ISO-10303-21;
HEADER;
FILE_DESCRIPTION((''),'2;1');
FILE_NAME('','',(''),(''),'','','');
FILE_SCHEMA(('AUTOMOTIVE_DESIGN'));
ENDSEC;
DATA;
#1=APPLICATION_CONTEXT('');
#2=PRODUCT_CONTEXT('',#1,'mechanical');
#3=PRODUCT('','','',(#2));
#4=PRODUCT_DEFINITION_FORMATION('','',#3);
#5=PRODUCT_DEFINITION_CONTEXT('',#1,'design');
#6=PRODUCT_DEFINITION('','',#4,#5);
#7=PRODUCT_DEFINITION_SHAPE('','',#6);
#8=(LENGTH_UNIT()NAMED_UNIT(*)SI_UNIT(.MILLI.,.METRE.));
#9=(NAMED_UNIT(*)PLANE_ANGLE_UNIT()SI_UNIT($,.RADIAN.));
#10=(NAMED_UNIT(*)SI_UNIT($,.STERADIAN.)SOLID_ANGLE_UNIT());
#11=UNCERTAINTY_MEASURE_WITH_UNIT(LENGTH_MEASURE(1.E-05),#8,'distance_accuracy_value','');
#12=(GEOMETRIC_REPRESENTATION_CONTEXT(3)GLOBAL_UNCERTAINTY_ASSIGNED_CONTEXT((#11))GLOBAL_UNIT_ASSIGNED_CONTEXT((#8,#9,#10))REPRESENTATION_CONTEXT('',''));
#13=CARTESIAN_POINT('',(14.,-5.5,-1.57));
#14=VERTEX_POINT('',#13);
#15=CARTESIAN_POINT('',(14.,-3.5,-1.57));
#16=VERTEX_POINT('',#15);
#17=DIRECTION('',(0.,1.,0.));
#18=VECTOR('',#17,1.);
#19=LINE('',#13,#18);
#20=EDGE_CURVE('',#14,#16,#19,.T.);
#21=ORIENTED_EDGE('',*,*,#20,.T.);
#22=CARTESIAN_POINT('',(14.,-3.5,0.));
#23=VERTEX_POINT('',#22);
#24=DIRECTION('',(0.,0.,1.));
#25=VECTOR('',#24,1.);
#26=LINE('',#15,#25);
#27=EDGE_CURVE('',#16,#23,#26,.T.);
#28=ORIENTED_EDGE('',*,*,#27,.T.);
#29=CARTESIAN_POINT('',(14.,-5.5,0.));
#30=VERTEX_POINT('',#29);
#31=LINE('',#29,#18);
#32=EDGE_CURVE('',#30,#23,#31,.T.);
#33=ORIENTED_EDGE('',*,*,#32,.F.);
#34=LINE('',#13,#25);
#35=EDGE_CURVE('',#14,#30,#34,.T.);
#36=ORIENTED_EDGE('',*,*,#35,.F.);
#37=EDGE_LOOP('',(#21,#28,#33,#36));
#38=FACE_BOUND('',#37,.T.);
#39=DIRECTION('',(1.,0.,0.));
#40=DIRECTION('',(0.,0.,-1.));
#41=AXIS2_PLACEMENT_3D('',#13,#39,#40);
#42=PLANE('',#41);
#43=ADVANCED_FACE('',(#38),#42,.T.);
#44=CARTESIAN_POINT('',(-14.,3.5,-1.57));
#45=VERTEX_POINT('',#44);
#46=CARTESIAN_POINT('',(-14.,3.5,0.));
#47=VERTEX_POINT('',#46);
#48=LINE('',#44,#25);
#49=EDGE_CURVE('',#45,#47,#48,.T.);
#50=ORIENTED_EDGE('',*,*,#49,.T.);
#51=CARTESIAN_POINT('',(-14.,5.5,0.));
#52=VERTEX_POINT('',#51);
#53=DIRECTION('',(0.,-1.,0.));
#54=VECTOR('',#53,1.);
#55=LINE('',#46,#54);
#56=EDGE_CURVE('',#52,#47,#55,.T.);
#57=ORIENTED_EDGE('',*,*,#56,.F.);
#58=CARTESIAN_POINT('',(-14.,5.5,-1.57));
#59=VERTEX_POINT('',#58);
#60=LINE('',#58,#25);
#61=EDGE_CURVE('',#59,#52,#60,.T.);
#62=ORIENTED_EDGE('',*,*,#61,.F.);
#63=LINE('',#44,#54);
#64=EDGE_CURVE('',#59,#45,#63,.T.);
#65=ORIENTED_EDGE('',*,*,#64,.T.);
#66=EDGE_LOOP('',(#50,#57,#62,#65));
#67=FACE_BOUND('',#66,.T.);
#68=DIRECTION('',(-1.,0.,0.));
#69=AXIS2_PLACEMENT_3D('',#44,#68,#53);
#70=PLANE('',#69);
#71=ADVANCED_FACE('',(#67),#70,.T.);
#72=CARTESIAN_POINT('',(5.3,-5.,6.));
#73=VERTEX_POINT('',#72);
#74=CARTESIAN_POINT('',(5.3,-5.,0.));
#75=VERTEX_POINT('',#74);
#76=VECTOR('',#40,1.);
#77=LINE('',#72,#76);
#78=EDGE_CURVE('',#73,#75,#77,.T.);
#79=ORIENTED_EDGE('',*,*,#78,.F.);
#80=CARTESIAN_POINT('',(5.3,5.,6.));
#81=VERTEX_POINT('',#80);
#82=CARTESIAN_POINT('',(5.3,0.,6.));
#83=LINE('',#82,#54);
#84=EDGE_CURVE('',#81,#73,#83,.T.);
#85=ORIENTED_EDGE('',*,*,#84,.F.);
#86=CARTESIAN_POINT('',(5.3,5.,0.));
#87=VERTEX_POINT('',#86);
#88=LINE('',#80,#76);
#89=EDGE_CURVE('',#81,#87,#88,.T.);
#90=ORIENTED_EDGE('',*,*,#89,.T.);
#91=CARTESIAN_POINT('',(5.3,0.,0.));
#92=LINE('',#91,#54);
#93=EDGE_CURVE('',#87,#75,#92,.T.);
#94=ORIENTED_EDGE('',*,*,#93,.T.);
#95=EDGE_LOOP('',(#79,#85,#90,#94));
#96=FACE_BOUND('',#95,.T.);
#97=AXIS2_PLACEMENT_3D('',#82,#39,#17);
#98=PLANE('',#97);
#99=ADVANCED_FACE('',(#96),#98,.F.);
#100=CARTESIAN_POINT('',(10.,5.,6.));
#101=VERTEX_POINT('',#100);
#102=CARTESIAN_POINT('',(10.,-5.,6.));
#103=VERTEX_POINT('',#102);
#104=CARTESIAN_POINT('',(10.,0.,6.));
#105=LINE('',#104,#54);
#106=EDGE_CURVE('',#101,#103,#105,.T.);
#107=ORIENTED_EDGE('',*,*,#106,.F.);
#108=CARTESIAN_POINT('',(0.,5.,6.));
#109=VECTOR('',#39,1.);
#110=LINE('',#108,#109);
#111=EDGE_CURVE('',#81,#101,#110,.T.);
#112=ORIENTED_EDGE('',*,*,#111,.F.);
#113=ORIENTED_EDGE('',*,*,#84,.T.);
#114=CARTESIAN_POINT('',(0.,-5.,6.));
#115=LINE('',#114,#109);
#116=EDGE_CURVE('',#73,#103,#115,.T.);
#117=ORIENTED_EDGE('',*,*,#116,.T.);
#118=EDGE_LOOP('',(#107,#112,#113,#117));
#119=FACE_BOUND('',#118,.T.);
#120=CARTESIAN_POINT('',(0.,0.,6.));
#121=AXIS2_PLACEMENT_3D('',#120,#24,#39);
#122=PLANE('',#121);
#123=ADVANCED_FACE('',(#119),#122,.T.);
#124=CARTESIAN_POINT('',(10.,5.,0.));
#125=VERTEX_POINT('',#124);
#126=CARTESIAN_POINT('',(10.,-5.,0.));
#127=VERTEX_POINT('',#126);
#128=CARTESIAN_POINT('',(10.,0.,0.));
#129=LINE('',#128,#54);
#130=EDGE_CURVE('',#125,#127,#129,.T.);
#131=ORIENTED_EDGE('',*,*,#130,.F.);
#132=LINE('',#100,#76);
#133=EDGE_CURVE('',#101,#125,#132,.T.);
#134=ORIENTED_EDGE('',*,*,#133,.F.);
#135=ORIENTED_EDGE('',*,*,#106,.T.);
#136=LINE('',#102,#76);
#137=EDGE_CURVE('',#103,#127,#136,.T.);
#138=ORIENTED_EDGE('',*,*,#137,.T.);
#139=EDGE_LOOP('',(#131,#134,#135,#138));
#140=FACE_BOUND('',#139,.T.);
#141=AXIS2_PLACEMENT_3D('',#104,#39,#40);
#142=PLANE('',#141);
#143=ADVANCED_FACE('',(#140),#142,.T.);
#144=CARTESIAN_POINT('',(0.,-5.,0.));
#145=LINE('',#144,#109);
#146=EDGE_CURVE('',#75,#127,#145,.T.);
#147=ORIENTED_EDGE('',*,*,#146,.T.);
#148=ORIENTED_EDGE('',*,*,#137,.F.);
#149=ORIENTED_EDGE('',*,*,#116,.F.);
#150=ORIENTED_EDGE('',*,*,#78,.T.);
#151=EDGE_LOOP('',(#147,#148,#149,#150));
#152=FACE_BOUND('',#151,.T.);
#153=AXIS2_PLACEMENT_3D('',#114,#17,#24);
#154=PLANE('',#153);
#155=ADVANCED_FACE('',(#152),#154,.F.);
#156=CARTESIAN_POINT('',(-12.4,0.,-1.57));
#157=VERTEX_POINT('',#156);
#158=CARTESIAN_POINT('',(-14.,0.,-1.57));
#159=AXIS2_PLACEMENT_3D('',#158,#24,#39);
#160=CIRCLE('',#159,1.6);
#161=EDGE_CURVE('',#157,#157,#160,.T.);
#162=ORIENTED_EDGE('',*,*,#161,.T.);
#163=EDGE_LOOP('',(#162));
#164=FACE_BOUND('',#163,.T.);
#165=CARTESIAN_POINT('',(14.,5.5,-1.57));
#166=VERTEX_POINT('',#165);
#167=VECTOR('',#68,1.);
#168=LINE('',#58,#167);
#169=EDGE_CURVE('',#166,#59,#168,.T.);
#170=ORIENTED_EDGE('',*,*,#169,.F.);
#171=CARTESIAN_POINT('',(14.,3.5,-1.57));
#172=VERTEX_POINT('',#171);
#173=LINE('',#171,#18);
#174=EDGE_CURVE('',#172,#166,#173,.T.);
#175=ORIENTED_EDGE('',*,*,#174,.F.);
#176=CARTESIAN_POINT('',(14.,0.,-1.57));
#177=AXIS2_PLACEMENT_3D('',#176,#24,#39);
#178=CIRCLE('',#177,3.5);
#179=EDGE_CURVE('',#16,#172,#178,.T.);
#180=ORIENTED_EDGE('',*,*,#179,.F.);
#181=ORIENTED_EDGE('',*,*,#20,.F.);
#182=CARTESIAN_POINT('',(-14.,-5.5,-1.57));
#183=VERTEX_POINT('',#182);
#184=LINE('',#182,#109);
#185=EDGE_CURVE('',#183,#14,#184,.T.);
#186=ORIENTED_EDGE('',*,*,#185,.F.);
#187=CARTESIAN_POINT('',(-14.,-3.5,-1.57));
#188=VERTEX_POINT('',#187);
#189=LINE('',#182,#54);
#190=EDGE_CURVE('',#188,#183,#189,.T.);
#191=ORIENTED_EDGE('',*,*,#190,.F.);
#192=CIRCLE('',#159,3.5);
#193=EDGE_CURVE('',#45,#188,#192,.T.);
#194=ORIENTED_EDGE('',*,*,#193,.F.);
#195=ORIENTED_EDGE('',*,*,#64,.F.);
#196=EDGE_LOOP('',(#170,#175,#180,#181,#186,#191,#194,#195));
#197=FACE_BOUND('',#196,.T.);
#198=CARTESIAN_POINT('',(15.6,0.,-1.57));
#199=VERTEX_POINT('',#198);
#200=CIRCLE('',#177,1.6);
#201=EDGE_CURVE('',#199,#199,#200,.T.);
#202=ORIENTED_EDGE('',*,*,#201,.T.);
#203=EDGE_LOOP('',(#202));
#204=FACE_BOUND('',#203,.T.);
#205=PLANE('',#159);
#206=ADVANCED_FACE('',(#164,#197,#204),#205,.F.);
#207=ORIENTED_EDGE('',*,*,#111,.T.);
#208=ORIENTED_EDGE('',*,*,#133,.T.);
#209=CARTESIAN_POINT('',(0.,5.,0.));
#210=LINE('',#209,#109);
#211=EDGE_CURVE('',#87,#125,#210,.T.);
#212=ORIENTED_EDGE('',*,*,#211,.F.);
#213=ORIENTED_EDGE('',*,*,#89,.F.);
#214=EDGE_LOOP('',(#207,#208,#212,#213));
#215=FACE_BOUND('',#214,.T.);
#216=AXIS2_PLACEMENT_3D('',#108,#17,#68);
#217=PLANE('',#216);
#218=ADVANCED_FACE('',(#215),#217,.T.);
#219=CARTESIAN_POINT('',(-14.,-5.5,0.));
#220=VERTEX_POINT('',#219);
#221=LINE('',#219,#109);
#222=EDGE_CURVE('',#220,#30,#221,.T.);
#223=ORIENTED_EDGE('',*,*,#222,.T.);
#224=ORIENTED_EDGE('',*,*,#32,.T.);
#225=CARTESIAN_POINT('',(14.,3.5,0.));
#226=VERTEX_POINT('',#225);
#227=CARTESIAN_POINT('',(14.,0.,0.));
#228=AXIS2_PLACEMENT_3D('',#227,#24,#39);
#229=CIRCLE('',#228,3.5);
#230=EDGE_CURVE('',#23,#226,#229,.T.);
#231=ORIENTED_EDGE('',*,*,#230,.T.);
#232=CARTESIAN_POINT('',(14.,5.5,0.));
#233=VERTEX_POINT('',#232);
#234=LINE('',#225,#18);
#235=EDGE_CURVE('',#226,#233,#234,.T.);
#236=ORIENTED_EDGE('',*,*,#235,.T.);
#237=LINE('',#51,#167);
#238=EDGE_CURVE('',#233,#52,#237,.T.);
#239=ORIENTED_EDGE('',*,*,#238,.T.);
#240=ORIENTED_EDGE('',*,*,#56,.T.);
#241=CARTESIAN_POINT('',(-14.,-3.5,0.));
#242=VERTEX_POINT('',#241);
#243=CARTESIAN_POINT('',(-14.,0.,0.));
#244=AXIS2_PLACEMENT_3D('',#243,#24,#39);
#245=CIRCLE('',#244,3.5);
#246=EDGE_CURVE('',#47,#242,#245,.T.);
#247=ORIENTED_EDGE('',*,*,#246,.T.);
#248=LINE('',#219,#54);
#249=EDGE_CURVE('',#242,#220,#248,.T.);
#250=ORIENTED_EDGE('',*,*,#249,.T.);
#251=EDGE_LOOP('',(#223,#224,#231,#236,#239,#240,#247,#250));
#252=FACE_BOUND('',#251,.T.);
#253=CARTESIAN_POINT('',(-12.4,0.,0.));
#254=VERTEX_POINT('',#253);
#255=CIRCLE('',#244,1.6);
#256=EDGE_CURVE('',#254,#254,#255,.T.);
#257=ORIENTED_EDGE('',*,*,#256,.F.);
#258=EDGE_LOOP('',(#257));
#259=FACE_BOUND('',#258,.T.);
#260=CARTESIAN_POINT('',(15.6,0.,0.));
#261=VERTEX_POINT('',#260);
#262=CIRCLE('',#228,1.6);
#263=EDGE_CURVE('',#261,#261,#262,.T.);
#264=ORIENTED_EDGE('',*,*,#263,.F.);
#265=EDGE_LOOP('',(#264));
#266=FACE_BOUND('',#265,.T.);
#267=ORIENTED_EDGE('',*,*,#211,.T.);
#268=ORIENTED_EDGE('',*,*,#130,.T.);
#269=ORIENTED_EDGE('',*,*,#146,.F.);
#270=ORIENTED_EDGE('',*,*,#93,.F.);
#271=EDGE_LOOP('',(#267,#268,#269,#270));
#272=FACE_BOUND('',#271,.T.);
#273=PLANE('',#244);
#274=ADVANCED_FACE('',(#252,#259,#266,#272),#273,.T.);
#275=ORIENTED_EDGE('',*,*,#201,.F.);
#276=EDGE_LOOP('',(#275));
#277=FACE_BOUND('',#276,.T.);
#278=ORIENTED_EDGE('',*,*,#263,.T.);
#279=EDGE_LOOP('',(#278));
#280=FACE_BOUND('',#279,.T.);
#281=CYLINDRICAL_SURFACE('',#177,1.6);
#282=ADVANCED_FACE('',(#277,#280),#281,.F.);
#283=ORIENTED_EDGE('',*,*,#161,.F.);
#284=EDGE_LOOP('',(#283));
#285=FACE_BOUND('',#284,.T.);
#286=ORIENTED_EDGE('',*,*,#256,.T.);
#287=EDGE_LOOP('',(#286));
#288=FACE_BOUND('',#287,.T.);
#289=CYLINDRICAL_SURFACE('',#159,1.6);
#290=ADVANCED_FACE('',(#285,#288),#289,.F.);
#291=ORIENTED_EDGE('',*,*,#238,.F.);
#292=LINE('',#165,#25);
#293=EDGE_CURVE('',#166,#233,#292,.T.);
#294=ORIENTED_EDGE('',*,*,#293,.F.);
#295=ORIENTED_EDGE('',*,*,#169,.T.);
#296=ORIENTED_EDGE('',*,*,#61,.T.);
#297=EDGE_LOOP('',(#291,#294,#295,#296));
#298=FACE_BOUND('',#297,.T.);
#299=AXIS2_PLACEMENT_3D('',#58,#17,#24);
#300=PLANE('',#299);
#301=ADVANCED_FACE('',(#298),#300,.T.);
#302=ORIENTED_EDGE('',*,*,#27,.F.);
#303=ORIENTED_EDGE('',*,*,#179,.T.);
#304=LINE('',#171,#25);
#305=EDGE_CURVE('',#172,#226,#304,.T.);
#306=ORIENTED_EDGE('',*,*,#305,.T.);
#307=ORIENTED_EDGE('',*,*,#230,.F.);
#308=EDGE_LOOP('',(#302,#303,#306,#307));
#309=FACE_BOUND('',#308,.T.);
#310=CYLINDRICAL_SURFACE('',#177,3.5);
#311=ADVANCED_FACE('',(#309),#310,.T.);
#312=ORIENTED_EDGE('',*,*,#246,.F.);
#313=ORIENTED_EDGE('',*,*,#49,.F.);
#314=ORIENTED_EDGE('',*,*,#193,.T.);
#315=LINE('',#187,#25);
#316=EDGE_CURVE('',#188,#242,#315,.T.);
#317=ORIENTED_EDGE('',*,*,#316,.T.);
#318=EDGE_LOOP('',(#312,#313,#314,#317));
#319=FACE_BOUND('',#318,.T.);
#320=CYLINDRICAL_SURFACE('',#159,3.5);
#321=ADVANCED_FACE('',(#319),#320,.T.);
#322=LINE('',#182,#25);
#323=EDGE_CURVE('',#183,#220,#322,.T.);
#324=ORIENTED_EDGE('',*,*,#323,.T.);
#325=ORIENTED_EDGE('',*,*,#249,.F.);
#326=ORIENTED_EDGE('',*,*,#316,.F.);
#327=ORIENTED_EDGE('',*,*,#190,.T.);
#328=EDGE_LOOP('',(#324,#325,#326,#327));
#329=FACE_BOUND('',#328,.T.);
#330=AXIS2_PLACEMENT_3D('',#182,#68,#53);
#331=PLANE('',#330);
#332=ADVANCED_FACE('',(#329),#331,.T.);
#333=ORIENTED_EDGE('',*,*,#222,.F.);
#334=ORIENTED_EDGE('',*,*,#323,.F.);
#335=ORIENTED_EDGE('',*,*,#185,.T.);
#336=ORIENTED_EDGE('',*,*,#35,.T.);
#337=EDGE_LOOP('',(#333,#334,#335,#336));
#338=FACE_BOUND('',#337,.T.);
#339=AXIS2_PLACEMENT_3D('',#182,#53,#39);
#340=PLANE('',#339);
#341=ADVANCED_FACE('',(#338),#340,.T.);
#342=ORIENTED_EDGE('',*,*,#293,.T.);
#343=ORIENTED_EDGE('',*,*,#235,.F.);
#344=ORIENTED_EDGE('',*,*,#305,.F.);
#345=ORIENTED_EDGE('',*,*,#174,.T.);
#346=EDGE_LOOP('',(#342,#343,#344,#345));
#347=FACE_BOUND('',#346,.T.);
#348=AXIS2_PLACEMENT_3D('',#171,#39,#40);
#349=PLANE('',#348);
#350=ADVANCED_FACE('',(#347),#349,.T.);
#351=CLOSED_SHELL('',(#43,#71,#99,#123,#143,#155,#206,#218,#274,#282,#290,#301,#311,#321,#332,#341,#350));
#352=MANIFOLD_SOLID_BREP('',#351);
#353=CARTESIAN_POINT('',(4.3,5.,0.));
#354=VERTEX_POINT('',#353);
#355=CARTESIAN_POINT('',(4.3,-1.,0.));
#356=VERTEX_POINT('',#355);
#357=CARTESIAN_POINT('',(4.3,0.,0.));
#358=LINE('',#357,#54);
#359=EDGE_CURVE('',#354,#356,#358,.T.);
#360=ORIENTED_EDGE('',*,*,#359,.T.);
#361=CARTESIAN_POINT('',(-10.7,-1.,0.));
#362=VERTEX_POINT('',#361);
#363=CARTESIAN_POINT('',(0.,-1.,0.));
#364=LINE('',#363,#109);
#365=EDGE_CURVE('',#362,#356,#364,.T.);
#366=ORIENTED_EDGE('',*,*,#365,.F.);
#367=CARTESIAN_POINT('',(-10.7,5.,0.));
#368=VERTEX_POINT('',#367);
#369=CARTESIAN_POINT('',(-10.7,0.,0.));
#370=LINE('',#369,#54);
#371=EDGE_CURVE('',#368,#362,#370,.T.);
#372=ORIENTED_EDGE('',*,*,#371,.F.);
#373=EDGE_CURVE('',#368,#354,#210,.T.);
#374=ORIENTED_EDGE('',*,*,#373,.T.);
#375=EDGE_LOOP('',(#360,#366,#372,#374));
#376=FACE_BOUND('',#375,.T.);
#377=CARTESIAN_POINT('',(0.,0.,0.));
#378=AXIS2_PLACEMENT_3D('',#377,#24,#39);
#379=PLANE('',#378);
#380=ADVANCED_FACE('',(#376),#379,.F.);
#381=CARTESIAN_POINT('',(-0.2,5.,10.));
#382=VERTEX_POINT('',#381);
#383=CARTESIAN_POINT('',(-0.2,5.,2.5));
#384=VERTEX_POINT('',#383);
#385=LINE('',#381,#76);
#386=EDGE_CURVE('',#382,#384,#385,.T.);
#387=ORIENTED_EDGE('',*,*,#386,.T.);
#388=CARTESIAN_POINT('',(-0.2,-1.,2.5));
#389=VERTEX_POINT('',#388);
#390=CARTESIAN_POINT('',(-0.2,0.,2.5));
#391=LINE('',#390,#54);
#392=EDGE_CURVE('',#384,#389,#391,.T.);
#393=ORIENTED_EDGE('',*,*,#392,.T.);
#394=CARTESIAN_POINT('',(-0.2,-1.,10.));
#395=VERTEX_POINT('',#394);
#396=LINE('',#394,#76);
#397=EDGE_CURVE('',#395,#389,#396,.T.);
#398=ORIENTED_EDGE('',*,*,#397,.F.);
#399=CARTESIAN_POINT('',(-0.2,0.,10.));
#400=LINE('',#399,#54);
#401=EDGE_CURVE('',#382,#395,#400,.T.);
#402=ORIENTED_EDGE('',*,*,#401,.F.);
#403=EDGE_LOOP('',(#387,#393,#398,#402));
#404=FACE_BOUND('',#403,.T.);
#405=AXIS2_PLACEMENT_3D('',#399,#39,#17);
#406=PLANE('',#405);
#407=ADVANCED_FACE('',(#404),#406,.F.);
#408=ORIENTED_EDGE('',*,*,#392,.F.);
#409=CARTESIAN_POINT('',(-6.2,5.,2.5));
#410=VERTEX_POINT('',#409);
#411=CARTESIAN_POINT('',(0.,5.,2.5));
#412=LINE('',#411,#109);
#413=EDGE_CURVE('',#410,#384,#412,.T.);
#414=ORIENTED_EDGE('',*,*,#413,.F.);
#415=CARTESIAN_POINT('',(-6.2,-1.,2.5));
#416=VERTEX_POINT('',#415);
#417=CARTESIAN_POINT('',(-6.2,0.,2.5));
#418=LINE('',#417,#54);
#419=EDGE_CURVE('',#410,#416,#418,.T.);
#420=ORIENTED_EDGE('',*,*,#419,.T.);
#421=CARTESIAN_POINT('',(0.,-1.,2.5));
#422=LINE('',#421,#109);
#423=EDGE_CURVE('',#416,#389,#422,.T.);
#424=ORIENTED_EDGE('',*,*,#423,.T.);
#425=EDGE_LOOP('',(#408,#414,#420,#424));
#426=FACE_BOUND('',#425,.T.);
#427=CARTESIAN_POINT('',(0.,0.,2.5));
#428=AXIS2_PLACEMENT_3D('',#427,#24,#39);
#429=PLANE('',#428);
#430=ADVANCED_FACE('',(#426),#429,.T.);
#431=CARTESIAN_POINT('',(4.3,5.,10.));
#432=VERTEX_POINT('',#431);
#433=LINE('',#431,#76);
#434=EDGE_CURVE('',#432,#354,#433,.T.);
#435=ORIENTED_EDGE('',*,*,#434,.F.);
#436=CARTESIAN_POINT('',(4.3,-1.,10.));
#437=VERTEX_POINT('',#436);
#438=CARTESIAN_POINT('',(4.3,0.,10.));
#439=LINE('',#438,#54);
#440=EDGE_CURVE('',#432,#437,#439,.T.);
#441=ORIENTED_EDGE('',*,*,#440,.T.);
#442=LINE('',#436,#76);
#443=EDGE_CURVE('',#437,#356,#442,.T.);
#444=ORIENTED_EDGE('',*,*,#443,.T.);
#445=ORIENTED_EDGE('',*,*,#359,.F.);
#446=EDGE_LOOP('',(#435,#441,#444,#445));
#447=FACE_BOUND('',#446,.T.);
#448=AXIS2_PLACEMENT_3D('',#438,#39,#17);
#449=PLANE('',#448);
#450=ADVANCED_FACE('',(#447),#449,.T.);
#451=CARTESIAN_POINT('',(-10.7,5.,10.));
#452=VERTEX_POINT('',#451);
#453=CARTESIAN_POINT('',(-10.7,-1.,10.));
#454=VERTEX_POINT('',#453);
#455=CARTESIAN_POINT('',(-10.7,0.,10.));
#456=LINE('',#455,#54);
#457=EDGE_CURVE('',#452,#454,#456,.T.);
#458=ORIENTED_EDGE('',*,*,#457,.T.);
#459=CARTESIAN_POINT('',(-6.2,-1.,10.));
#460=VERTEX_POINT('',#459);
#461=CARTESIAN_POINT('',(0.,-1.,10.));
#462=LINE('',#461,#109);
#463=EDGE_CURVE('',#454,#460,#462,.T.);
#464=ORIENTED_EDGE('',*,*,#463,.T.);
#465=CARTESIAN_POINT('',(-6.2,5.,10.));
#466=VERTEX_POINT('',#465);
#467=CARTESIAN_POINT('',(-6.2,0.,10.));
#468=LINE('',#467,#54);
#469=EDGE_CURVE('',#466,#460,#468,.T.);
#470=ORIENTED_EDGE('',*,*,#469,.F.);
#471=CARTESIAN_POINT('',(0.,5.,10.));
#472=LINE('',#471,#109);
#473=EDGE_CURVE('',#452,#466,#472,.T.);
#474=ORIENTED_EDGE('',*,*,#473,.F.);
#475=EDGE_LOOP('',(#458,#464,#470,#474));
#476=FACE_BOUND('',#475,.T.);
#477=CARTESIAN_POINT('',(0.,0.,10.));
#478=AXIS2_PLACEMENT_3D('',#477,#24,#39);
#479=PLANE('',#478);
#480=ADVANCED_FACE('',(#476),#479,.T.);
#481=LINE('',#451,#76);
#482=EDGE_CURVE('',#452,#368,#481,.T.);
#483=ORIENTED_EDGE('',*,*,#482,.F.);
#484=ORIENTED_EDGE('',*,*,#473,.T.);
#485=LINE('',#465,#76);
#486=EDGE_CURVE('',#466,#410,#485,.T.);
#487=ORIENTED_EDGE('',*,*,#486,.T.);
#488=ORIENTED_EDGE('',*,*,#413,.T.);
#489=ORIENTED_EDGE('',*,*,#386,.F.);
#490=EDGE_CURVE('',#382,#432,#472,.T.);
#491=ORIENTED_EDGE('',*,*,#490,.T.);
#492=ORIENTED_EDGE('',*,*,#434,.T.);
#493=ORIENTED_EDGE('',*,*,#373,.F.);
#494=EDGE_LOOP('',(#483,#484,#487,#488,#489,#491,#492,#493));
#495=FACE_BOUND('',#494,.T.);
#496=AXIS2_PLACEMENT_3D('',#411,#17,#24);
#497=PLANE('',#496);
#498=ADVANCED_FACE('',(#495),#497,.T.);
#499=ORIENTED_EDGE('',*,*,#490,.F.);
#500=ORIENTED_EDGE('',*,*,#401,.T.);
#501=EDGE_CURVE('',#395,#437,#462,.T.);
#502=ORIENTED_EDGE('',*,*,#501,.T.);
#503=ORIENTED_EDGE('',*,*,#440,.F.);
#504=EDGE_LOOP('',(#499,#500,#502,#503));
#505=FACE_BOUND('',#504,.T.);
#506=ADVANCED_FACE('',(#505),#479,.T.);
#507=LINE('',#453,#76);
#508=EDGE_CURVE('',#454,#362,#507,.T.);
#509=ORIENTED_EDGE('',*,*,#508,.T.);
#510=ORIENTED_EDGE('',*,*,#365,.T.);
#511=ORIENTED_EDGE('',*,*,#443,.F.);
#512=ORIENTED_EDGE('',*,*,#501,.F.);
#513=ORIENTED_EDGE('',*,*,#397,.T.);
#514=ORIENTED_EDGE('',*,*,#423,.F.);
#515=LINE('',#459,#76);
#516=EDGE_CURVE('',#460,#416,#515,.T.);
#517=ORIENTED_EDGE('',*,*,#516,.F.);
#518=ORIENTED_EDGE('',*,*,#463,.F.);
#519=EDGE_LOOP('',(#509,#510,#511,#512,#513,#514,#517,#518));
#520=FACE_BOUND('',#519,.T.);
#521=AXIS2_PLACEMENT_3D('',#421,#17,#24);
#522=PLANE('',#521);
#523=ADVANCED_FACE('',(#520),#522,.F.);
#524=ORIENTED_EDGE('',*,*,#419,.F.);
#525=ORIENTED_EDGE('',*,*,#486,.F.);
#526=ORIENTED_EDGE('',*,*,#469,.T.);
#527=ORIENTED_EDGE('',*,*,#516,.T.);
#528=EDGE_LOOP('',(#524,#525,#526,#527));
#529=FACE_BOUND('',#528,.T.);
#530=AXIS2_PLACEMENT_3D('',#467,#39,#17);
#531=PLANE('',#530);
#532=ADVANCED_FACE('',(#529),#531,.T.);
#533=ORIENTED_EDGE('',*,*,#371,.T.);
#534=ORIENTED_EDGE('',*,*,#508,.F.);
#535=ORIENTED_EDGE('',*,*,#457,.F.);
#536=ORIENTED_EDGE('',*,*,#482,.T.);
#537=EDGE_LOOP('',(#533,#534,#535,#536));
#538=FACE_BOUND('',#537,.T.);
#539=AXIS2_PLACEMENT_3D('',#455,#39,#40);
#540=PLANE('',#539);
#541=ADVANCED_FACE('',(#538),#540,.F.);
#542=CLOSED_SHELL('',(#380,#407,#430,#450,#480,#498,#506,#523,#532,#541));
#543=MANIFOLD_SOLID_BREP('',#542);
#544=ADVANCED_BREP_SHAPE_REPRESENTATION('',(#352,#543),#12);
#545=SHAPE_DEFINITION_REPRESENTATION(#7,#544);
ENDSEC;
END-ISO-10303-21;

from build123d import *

# Parameters (mm, degrees)
SKETCH1_R                  = 1.6
PCB_DEPTH                  = 1.57
SKETCH2_W                  = 6
SKETCH2_H                  = 6
OPTICAL_SENSOR_BASE_DEPTH  = 2.5
SKETCH2_3_W                = 4.5
SKETCH2_3_H                = 6
OPTICAL_SENSOR_SIDES_DEPTH = 10
SKETCH2_4_W                = 4.7
SKETCH2_4_H                = 10
CONNECTOR_DEPTH            = 6


with BuildPart() as part:
    # Sketch1 → PCB (new body)
    with BuildSketch(Plane.XY):
        with BuildLine():
            Line((-14, 3.5), (-14, 5.5))
            Line((-14, 5.5), (14, 5.5))
            Line((14, 5.5), (14, 3.5))
            ThreePointArc((14, 3.5), (17.5, 0), (14, -3.5))
            Line((14, -3.5), (14, -5.5))
            Line((14, -5.5), (-14, -5.5))
            Line((-14, -5.5), (-14, -3.5))
            ThreePointArc((-14, -3.5), (-17.5, 0), (-14, 3.5))
        make_face()
        with Locations((-14, 0)):
            Circle(SKETCH1_R, mode=Mode.SUBTRACT)
        with Locations((14, 0)):
            Circle(SKETCH1_R, mode=Mode.SUBTRACT)
    extrude(amount=-PCB_DEPTH)

    # Sketch2<4> → Connector (add)
    with BuildSketch(Plane.XY):
        with Locations((7.65, 0)):
            Rectangle(SKETCH2_4_W, SKETCH2_4_H)
    extrude(amount=CONNECTOR_DEPTH)


with BuildPart() as body_2:
    # Sketch2 → Optical Sensor Base (new body)
    with BuildSketch(Plane.XY):
        with Locations((-3.2, 2)):
            Rectangle(SKETCH2_W, SKETCH2_H)
    extrude(amount=OPTICAL_SENSOR_BASE_DEPTH)

    # Sketch2<3> → Optical Sensor Sides (add)
    with BuildSketch(Plane.XY):
        with Locations((-8.45, 2)):
            Rectangle(SKETCH2_3_W, SKETCH2_3_H)
        with Locations((2.05, 2)):
            Rectangle(SKETCH2_3_W, SKETCH2_3_H)
    extrude(amount=OPTICAL_SENSOR_SIDES_DEPTH)


solid = Compound([part.part, body_2.part])
